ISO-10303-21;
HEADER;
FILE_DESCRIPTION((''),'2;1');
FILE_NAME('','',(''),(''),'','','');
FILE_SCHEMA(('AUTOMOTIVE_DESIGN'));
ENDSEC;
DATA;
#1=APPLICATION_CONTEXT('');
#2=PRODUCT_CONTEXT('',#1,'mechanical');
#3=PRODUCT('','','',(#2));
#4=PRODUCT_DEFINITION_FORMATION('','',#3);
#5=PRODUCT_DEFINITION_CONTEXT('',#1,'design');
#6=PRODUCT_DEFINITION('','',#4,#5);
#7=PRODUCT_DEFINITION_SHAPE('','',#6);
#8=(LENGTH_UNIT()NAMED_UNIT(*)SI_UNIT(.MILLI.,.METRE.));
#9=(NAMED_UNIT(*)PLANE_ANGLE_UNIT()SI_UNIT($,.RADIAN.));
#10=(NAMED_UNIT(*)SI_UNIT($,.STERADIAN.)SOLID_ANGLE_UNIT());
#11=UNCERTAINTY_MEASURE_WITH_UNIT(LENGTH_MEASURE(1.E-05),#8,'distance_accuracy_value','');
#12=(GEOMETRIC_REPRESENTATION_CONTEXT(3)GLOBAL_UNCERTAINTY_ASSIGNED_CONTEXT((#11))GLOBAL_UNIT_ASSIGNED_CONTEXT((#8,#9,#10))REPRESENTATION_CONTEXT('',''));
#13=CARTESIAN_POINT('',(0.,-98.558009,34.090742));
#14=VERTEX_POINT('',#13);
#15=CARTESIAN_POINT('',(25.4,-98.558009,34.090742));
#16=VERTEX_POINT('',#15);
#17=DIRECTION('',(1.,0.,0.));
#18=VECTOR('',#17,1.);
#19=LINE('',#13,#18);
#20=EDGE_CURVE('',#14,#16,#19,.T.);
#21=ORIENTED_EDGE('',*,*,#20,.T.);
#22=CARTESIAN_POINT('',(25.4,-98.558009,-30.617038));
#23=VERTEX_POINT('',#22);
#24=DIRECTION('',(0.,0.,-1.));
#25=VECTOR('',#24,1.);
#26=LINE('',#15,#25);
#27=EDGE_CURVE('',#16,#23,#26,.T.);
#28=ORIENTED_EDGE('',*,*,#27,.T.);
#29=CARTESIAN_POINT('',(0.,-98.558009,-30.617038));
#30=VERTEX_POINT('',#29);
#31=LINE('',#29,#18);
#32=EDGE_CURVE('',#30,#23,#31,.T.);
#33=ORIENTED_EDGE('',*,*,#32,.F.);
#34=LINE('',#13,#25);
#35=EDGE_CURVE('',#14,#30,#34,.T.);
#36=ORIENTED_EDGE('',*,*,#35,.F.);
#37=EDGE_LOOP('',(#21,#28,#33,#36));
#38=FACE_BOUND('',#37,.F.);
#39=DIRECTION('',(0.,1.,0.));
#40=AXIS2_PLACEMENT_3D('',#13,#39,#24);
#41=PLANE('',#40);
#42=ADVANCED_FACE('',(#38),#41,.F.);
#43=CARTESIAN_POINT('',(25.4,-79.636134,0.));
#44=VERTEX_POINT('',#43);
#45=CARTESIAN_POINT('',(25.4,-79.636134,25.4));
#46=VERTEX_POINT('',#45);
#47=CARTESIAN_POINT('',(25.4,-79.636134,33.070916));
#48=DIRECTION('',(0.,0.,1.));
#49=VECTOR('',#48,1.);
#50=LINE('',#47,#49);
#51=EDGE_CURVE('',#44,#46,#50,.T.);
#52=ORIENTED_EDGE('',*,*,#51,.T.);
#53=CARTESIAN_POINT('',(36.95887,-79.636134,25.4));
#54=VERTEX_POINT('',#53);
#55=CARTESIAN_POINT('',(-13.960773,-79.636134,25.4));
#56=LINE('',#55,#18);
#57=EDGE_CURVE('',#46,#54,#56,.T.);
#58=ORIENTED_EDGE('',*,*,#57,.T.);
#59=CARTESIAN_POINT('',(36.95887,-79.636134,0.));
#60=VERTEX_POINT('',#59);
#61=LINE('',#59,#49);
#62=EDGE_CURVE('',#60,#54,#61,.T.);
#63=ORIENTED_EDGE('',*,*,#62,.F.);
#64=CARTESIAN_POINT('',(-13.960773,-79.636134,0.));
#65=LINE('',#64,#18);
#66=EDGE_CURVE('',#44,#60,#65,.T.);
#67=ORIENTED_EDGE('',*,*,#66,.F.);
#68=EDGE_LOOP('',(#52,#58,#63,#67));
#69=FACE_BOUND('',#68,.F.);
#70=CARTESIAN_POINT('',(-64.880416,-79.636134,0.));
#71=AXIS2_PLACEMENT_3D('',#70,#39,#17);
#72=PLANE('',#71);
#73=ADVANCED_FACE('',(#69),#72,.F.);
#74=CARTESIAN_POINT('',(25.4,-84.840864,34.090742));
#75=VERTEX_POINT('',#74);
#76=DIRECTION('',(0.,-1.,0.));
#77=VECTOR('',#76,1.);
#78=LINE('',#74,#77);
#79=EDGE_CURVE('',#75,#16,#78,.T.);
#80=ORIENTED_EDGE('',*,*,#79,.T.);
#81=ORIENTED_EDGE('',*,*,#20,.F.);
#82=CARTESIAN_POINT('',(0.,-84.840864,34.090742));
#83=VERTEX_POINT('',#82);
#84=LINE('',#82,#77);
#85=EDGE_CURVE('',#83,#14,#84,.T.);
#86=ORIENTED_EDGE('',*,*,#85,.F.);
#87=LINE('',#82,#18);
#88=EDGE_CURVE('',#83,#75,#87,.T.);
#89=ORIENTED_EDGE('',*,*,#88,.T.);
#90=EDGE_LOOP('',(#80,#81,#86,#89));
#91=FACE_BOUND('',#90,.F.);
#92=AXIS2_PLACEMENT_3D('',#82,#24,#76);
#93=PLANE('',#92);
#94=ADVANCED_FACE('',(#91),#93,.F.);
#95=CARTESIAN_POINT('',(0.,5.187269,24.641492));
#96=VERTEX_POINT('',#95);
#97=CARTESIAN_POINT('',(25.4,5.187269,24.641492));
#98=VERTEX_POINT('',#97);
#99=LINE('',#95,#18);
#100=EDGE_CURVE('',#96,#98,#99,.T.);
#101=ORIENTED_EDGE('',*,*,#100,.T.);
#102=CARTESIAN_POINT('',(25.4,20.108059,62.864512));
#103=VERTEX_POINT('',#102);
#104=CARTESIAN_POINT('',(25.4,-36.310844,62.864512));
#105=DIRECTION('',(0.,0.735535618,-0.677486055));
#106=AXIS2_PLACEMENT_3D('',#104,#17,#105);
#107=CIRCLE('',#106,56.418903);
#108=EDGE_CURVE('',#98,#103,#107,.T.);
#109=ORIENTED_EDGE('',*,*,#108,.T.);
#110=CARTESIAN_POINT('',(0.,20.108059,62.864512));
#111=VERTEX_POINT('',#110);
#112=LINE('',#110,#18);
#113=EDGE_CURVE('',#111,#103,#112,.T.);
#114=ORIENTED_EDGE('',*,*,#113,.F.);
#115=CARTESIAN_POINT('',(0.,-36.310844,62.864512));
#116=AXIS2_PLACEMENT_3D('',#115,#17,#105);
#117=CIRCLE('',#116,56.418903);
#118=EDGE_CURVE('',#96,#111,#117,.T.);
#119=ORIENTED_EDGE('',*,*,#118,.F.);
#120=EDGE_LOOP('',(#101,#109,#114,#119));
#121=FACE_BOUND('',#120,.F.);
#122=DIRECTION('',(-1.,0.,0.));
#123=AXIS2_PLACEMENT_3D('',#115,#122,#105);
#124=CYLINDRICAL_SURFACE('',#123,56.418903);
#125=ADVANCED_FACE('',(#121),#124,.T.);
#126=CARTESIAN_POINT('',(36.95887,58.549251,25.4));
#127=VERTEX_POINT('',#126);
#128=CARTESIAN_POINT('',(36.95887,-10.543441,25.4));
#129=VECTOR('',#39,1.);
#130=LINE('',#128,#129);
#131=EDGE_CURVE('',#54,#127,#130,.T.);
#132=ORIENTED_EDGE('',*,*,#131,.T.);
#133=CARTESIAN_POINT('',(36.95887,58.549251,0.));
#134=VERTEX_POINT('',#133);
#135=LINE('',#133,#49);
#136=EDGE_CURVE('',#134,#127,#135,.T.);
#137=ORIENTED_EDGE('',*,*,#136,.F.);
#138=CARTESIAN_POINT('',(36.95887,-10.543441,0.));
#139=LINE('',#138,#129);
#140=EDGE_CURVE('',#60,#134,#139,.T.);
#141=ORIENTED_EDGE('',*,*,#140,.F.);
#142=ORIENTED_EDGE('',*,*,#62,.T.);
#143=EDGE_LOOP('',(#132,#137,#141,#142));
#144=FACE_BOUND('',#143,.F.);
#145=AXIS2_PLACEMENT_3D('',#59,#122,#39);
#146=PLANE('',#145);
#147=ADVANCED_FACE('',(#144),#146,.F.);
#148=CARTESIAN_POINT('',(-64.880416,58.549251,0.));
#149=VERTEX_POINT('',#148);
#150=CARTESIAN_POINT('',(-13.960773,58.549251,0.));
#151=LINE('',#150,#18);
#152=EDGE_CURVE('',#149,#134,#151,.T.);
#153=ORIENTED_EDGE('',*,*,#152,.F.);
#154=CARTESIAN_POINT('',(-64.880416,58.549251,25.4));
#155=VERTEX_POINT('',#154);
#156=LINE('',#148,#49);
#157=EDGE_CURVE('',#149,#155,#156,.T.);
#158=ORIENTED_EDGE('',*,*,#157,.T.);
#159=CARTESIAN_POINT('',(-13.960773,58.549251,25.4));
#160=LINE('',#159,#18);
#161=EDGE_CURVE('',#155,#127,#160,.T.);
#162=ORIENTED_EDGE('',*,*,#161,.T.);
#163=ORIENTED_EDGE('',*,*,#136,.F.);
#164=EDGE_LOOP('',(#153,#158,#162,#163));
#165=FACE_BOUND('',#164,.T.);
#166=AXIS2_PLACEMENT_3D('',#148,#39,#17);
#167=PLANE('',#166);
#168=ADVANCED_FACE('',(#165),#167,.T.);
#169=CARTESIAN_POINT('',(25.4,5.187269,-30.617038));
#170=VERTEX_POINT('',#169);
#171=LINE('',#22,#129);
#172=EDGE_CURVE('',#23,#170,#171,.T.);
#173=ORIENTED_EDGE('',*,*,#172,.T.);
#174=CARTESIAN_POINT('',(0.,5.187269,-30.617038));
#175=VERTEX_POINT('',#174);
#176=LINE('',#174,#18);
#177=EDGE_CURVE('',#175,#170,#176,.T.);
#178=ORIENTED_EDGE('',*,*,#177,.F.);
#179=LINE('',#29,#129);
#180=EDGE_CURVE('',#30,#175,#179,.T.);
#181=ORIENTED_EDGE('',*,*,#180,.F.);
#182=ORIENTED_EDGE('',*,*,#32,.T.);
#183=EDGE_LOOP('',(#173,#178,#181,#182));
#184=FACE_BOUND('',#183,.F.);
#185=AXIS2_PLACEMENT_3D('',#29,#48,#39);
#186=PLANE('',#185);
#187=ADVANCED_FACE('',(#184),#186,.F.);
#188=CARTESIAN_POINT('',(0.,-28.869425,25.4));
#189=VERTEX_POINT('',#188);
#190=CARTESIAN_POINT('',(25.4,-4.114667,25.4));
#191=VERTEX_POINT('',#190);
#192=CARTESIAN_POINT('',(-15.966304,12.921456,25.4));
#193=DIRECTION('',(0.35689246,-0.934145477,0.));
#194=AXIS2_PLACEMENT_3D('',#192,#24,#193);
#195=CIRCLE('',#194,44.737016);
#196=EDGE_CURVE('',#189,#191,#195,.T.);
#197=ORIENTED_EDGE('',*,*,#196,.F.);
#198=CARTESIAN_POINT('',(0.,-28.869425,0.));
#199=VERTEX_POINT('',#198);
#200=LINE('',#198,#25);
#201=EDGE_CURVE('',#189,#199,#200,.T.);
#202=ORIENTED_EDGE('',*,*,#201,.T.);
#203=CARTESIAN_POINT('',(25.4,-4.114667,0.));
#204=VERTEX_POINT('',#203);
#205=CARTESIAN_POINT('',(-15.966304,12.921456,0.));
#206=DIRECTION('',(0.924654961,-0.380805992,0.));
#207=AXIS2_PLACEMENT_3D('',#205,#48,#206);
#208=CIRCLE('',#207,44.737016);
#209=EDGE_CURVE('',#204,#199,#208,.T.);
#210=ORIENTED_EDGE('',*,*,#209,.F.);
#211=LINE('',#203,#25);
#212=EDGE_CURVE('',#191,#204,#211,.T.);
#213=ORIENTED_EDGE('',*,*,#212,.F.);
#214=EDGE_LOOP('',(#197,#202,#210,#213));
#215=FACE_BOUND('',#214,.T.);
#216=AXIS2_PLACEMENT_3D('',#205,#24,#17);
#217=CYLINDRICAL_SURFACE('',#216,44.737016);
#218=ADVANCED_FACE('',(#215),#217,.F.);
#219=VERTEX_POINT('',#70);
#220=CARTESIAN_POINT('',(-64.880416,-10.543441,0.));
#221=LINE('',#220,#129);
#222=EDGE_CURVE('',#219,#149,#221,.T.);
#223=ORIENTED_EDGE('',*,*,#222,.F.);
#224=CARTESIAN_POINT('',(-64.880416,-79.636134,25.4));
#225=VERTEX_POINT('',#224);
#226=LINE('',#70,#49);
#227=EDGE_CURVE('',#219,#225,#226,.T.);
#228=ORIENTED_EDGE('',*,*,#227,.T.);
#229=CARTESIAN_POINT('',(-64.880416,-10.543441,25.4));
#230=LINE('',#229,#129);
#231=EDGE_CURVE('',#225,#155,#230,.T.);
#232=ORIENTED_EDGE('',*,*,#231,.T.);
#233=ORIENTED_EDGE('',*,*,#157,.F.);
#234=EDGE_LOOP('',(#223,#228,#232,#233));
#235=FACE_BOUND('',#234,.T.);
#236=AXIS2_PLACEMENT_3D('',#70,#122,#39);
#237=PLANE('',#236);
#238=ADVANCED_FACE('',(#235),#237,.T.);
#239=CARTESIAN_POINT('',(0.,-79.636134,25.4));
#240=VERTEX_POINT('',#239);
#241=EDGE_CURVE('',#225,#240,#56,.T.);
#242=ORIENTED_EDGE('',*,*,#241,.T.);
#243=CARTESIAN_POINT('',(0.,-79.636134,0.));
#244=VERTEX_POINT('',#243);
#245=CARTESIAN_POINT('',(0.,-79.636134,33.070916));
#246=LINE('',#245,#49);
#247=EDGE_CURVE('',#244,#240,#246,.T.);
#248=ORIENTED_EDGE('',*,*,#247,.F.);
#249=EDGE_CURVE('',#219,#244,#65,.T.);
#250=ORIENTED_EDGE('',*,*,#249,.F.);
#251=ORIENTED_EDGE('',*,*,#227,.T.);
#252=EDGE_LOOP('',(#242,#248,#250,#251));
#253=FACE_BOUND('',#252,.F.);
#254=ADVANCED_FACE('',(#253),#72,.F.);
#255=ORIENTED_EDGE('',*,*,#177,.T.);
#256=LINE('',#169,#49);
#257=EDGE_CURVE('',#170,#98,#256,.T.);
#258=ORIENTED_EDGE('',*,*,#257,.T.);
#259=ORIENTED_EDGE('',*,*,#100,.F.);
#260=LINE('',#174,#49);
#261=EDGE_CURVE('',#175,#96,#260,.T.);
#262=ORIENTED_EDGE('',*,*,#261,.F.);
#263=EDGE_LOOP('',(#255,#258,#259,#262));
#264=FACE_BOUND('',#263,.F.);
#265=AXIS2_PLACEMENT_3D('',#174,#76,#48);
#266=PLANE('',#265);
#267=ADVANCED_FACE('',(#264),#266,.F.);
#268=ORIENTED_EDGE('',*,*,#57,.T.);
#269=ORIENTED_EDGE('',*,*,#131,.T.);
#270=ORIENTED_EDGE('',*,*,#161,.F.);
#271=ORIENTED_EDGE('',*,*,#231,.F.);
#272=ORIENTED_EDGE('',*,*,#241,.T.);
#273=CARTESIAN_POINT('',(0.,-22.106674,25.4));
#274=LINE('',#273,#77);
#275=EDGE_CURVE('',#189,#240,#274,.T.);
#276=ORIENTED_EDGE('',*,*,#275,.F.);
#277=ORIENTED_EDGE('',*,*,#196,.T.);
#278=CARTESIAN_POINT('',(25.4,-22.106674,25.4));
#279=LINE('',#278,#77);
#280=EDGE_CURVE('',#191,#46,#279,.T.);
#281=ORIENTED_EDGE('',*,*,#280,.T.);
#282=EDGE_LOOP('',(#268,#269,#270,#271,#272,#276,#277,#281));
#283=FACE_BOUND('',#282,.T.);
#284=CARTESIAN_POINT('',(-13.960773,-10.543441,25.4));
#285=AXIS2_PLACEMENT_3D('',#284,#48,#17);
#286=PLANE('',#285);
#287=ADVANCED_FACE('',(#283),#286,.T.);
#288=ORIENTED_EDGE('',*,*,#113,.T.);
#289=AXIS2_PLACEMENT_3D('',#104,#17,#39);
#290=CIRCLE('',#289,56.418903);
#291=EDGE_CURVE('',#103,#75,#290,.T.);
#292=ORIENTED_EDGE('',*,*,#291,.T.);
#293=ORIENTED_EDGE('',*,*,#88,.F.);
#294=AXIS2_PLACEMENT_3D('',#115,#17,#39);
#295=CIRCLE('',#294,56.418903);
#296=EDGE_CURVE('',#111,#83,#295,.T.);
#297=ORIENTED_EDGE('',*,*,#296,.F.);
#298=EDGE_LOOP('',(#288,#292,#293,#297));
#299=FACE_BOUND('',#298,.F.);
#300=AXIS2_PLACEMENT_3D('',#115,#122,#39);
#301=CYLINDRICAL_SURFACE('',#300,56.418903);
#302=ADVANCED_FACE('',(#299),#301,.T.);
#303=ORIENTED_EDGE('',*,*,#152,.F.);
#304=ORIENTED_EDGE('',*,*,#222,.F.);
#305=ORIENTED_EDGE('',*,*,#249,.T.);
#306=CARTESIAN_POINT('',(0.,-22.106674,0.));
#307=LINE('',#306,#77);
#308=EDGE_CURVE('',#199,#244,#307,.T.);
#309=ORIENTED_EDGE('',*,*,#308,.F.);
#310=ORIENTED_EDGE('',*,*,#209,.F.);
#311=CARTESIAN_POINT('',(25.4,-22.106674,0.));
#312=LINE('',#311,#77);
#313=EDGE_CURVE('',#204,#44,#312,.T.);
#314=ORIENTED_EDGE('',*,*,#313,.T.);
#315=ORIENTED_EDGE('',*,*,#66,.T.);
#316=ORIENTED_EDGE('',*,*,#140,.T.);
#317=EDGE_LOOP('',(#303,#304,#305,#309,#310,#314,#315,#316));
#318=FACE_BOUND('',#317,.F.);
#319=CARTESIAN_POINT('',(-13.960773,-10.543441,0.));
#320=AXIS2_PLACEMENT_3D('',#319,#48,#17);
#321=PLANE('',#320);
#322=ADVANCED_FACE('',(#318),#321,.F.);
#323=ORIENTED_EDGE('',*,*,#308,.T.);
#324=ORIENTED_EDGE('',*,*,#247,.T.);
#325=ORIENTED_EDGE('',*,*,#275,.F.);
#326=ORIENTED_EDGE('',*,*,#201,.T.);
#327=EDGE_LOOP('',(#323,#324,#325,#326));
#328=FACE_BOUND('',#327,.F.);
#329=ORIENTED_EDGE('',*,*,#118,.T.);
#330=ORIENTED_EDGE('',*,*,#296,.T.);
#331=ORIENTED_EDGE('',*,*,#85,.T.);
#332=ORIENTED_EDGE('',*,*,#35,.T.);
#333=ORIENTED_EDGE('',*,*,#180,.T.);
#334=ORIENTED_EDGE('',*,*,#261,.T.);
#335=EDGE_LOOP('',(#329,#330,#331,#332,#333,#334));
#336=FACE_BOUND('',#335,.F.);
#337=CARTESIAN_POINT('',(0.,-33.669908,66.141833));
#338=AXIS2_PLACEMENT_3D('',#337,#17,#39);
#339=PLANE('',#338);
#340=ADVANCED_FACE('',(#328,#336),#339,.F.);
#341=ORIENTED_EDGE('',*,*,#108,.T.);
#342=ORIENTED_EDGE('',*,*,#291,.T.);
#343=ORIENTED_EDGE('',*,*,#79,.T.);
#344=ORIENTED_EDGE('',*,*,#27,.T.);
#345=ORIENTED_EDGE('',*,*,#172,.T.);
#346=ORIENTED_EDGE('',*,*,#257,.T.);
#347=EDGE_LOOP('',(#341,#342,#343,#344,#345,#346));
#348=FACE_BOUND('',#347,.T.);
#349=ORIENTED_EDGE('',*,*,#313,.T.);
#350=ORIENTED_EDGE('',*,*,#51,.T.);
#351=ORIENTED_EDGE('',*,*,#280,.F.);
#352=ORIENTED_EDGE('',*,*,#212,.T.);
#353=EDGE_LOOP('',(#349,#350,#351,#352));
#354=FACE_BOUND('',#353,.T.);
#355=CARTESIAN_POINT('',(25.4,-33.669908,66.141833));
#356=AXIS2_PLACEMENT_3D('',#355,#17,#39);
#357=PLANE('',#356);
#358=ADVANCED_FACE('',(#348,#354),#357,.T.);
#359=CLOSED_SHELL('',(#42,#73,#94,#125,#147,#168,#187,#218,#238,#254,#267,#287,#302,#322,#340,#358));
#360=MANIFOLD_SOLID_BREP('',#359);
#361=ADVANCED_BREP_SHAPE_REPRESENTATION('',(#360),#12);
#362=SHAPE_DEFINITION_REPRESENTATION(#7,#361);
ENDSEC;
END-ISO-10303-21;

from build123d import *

# Parameters (mm, degrees)
F2_DEPTH = 25.4
F0_W     = 101.8392853439
F0_H     = 138.1853856146
F0_R     = 44.7370158625
F3_DEPTH = 25.4


with BuildPart() as f2:
    # F1 (on Right) → F2 (new body)
    with BuildSketch(Plane.YZ):
        with BuildLine():
            ThreePointArc((5.1872688346, 24.6414919816), (16.2456525152, 42.3484863922), (20.1080592166, 62.8645122051))
            ThreePointArc((20.1080592166, 62.8645122051), (-51.2286548469, 117.2754631001), (-84.8408640002, 34.0907424688))
            Line((-84.8408640002, 34.0907424688), (5.1872688346, 34.0907424688))
            Line((5.1872688346, 34.0907424688), (5.1872688346, 24.6414919816))
        make_face()
        with BuildLine():
            Line((5.1872688346, 34.0907424688), (-84.8408640002, 34.0907424688))
            ThreePointArc((-84.8408640002, 34.0907424688), (-42.2001575317, 6.7538301414), (5.1872688346, 24.6414919816))
            Line((5.1872688346, 24.6414919816), (5.1872688346, 34.0907424688))
        make_face()
        with BuildLine():
            ThreePointArc((5.1872688346, 24.6414919816), (-42.2001575317, 6.7538301414), (-84.8408640002, 34.0907424688))
            Line((-84.8408640002, 34.0907424688), (-98.5580086708, 34.0907424688))
            Line((-98.5580086708, 34.0907424688), (-98.5580086708, -30.617037788))
            Line((-98.5580086708, -30.617037788), (5.1872688346, -30.617037788))
            Line((5.1872688346, -30.617037788), (5.1872688346, 24.6414919816))
        make_face()
    extrude(amount=F2_DEPTH)

    # F0 (on Top) → F3 (join)
    with BuildSketch(Plane.XY):
        with Locations((-13.9607731253, -10.5434413999)):
            Rectangle(F0_W, F0_H)
        with Locations((-15.9663036466, 12.9214562476)):
            Circle(F0_R, mode=Mode.SUBTRACT)
    extrude(amount=F3_DEPTH)


solid = f2.part
